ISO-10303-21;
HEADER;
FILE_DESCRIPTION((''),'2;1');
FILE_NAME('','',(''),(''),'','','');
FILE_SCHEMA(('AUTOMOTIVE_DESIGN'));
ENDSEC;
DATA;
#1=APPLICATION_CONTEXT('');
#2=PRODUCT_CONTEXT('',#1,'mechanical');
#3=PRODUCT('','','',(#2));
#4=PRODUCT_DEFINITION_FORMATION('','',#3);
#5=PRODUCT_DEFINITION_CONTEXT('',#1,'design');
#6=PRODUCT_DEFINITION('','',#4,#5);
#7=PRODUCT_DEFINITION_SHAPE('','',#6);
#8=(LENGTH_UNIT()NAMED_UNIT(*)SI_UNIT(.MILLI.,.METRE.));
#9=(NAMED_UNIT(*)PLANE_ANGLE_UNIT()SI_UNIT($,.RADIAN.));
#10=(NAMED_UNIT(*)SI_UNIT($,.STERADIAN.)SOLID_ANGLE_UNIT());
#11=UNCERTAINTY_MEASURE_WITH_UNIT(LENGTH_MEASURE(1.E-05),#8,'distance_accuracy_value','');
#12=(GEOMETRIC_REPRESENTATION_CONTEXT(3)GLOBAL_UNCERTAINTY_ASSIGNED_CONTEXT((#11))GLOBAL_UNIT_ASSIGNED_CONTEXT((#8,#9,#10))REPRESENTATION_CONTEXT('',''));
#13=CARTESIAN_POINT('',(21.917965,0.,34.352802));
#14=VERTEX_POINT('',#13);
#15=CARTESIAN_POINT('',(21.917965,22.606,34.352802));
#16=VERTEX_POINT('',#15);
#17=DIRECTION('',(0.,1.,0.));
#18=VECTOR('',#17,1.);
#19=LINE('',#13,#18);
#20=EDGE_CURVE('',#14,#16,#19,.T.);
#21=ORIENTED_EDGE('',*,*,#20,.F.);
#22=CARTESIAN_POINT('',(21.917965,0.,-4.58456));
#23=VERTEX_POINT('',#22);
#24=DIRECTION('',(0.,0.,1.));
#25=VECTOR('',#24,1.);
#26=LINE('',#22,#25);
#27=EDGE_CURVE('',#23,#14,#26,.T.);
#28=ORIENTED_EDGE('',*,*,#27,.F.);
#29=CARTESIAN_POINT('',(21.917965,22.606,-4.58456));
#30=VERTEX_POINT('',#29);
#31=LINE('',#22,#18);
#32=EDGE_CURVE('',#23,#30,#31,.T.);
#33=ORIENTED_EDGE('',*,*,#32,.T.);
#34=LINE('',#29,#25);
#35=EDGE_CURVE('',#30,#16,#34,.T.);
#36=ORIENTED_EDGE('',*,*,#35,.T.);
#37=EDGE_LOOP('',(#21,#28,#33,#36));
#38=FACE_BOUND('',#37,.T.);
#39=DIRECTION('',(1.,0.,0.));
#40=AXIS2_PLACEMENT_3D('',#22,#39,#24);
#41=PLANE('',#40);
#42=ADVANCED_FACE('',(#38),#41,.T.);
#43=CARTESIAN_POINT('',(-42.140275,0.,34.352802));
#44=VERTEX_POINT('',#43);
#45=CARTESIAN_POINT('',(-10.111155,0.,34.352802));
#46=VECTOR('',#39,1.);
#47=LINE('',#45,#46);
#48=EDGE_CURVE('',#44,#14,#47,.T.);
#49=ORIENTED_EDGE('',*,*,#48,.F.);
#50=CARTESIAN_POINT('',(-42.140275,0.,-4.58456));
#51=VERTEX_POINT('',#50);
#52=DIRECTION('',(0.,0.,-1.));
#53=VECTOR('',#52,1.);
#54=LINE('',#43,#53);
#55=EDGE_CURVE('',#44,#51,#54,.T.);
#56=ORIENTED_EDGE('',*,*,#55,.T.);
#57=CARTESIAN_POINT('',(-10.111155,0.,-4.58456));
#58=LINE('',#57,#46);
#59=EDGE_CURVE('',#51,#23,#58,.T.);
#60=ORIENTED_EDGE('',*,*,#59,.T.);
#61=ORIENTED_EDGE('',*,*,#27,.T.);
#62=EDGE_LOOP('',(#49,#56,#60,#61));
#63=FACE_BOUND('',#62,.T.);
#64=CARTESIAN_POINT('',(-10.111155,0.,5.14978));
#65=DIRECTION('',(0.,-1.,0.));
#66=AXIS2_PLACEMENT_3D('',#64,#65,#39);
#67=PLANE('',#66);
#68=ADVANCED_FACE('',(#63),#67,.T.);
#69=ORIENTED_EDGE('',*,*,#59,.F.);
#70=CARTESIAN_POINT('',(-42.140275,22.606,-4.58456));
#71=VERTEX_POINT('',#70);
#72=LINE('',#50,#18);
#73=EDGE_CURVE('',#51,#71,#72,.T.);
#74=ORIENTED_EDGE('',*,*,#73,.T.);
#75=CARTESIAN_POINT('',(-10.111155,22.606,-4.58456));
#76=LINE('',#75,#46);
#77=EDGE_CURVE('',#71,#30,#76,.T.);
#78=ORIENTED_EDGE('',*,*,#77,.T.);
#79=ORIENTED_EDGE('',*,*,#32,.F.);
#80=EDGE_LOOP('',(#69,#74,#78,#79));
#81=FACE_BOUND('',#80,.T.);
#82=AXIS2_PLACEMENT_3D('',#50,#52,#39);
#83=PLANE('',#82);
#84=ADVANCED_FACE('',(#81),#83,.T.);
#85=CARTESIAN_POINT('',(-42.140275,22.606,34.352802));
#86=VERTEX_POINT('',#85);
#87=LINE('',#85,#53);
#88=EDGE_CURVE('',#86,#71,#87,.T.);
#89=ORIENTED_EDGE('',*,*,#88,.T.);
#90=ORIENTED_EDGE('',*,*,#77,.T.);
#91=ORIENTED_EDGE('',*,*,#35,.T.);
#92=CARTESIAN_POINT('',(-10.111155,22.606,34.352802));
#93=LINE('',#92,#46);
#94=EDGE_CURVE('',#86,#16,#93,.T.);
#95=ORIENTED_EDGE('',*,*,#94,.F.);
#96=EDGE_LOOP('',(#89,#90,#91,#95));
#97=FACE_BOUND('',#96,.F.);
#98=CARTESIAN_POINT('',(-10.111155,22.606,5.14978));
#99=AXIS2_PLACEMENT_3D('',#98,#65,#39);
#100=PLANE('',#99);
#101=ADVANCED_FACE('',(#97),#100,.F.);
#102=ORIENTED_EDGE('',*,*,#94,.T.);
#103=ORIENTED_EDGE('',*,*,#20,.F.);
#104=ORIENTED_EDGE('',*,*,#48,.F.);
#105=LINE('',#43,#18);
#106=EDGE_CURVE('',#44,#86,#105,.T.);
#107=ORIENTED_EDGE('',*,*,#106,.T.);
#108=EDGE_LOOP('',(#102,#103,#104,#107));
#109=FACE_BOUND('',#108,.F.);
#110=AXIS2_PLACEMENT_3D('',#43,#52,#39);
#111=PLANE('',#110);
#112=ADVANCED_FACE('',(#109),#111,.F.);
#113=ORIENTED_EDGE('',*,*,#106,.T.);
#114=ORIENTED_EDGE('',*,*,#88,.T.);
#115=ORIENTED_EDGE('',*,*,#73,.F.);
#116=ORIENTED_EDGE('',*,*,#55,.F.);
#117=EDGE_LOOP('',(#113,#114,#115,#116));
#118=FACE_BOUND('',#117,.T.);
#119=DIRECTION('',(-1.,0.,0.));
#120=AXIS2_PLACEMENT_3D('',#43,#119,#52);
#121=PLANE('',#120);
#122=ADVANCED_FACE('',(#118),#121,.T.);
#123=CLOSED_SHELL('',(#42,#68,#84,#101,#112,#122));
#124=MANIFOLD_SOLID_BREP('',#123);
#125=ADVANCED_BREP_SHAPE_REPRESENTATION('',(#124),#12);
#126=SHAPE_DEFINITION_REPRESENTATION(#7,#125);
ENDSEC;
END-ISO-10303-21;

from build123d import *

# Parameters (mm, degrees)
F0_W     = 64.0582405031
F0_H     = 19.4686809555
F0_H_2   = 5.6521994993
F0_H_3   = 13.8164814562
F1_DEPTH = 22.606


with BuildPart() as f1:
    # F0 (on Front) → F1 (new body)
    with BuildSketch(Plane.XZ):
        with Locations((-10.1111549884, 5.149780307)):
            Rectangle(F0_W, F0_H)
        with Locations((-10.1111549884, 17.7102205344)):
            Rectangle(F0_W, F0_H_2)
        with Locations((-10.1111549884, 27.4445610121)):
            Rectangle(F0_W, F0_H_3)
    extrude(amount=-F1_DEPTH)


solid = f1.part
